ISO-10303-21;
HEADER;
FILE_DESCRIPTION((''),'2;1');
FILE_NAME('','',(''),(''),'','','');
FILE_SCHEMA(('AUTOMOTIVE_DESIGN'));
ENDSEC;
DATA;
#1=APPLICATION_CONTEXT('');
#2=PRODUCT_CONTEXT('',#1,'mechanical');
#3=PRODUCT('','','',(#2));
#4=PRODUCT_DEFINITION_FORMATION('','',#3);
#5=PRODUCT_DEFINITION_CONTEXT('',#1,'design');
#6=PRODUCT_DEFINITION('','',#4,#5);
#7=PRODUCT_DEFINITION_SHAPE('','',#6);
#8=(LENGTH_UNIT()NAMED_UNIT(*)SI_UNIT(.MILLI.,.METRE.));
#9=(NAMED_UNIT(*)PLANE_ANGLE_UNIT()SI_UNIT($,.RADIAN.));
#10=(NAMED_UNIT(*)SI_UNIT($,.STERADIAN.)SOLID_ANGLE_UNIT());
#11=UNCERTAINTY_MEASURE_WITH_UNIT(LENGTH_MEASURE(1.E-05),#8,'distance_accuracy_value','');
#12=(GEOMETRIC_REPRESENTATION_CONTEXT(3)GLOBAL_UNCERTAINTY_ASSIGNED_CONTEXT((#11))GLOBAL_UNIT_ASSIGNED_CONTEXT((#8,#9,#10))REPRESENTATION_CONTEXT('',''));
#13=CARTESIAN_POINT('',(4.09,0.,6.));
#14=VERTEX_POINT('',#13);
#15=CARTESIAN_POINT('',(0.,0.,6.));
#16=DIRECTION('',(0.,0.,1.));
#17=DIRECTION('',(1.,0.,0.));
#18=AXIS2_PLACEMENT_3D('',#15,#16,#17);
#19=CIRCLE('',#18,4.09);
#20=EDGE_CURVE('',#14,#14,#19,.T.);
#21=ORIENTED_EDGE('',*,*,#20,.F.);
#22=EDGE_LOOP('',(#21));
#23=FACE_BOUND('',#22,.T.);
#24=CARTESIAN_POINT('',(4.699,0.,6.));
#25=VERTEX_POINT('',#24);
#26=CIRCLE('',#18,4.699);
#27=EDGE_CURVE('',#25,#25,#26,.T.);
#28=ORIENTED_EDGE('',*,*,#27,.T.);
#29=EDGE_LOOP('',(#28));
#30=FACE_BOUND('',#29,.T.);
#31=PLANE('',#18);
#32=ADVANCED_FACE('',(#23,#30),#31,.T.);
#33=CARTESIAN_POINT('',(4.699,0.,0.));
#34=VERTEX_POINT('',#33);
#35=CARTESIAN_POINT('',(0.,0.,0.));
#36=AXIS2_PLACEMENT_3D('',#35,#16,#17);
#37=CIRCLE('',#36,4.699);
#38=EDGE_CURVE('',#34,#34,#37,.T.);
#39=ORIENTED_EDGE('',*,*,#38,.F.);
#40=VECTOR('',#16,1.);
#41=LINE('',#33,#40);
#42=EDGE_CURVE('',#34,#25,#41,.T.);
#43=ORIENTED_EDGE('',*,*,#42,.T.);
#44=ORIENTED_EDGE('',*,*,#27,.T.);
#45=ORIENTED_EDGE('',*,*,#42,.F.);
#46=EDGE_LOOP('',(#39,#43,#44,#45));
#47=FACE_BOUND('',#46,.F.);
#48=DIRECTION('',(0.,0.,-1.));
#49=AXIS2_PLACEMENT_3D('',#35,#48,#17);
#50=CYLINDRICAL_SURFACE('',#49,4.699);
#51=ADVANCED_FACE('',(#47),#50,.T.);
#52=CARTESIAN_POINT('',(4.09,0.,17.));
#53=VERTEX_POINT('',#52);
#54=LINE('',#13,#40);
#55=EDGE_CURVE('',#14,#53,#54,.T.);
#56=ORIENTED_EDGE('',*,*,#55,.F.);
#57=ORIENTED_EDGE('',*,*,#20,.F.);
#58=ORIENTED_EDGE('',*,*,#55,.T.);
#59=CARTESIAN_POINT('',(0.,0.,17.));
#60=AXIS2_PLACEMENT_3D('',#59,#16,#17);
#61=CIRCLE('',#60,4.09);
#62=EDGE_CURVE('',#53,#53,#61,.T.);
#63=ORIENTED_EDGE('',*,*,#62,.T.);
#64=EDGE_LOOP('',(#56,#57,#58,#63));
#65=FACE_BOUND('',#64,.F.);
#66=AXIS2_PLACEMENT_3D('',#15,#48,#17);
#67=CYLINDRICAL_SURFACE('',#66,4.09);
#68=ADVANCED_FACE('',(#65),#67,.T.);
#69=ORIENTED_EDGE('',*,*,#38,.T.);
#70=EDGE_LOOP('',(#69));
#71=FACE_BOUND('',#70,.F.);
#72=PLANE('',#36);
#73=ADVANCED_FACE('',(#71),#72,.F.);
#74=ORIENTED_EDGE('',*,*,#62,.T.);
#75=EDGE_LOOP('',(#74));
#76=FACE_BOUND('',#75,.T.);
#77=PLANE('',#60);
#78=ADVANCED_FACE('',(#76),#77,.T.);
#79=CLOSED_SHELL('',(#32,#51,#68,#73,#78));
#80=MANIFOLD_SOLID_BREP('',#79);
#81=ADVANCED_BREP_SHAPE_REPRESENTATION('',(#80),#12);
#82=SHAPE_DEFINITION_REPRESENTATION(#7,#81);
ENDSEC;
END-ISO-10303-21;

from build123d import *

# Parameters (mm, degrees)
SKETCH1_R           = 4.699
BOSS_EXTRUDE1_DEPTH = 6
SKETCH3_R           = 4.09
BOSS_EXTRUDE2_DEPTH = 11


with BuildPart() as part:
    # Sketch1 → Boss-Extrude1 (new body)
    with BuildSketch(Plane.XY):
        Circle(SKETCH1_R)
    extrude(amount=BOSS_EXTRUDE1_DEPTH)

    # Sketch3 → Boss-Extrude2 (add)
    with BuildSketch(Plane.XY.offset(6)):
        Circle(SKETCH3_R)
    extrude(amount=BOSS_EXTRUDE2_DEPTH)


solid = part.part
